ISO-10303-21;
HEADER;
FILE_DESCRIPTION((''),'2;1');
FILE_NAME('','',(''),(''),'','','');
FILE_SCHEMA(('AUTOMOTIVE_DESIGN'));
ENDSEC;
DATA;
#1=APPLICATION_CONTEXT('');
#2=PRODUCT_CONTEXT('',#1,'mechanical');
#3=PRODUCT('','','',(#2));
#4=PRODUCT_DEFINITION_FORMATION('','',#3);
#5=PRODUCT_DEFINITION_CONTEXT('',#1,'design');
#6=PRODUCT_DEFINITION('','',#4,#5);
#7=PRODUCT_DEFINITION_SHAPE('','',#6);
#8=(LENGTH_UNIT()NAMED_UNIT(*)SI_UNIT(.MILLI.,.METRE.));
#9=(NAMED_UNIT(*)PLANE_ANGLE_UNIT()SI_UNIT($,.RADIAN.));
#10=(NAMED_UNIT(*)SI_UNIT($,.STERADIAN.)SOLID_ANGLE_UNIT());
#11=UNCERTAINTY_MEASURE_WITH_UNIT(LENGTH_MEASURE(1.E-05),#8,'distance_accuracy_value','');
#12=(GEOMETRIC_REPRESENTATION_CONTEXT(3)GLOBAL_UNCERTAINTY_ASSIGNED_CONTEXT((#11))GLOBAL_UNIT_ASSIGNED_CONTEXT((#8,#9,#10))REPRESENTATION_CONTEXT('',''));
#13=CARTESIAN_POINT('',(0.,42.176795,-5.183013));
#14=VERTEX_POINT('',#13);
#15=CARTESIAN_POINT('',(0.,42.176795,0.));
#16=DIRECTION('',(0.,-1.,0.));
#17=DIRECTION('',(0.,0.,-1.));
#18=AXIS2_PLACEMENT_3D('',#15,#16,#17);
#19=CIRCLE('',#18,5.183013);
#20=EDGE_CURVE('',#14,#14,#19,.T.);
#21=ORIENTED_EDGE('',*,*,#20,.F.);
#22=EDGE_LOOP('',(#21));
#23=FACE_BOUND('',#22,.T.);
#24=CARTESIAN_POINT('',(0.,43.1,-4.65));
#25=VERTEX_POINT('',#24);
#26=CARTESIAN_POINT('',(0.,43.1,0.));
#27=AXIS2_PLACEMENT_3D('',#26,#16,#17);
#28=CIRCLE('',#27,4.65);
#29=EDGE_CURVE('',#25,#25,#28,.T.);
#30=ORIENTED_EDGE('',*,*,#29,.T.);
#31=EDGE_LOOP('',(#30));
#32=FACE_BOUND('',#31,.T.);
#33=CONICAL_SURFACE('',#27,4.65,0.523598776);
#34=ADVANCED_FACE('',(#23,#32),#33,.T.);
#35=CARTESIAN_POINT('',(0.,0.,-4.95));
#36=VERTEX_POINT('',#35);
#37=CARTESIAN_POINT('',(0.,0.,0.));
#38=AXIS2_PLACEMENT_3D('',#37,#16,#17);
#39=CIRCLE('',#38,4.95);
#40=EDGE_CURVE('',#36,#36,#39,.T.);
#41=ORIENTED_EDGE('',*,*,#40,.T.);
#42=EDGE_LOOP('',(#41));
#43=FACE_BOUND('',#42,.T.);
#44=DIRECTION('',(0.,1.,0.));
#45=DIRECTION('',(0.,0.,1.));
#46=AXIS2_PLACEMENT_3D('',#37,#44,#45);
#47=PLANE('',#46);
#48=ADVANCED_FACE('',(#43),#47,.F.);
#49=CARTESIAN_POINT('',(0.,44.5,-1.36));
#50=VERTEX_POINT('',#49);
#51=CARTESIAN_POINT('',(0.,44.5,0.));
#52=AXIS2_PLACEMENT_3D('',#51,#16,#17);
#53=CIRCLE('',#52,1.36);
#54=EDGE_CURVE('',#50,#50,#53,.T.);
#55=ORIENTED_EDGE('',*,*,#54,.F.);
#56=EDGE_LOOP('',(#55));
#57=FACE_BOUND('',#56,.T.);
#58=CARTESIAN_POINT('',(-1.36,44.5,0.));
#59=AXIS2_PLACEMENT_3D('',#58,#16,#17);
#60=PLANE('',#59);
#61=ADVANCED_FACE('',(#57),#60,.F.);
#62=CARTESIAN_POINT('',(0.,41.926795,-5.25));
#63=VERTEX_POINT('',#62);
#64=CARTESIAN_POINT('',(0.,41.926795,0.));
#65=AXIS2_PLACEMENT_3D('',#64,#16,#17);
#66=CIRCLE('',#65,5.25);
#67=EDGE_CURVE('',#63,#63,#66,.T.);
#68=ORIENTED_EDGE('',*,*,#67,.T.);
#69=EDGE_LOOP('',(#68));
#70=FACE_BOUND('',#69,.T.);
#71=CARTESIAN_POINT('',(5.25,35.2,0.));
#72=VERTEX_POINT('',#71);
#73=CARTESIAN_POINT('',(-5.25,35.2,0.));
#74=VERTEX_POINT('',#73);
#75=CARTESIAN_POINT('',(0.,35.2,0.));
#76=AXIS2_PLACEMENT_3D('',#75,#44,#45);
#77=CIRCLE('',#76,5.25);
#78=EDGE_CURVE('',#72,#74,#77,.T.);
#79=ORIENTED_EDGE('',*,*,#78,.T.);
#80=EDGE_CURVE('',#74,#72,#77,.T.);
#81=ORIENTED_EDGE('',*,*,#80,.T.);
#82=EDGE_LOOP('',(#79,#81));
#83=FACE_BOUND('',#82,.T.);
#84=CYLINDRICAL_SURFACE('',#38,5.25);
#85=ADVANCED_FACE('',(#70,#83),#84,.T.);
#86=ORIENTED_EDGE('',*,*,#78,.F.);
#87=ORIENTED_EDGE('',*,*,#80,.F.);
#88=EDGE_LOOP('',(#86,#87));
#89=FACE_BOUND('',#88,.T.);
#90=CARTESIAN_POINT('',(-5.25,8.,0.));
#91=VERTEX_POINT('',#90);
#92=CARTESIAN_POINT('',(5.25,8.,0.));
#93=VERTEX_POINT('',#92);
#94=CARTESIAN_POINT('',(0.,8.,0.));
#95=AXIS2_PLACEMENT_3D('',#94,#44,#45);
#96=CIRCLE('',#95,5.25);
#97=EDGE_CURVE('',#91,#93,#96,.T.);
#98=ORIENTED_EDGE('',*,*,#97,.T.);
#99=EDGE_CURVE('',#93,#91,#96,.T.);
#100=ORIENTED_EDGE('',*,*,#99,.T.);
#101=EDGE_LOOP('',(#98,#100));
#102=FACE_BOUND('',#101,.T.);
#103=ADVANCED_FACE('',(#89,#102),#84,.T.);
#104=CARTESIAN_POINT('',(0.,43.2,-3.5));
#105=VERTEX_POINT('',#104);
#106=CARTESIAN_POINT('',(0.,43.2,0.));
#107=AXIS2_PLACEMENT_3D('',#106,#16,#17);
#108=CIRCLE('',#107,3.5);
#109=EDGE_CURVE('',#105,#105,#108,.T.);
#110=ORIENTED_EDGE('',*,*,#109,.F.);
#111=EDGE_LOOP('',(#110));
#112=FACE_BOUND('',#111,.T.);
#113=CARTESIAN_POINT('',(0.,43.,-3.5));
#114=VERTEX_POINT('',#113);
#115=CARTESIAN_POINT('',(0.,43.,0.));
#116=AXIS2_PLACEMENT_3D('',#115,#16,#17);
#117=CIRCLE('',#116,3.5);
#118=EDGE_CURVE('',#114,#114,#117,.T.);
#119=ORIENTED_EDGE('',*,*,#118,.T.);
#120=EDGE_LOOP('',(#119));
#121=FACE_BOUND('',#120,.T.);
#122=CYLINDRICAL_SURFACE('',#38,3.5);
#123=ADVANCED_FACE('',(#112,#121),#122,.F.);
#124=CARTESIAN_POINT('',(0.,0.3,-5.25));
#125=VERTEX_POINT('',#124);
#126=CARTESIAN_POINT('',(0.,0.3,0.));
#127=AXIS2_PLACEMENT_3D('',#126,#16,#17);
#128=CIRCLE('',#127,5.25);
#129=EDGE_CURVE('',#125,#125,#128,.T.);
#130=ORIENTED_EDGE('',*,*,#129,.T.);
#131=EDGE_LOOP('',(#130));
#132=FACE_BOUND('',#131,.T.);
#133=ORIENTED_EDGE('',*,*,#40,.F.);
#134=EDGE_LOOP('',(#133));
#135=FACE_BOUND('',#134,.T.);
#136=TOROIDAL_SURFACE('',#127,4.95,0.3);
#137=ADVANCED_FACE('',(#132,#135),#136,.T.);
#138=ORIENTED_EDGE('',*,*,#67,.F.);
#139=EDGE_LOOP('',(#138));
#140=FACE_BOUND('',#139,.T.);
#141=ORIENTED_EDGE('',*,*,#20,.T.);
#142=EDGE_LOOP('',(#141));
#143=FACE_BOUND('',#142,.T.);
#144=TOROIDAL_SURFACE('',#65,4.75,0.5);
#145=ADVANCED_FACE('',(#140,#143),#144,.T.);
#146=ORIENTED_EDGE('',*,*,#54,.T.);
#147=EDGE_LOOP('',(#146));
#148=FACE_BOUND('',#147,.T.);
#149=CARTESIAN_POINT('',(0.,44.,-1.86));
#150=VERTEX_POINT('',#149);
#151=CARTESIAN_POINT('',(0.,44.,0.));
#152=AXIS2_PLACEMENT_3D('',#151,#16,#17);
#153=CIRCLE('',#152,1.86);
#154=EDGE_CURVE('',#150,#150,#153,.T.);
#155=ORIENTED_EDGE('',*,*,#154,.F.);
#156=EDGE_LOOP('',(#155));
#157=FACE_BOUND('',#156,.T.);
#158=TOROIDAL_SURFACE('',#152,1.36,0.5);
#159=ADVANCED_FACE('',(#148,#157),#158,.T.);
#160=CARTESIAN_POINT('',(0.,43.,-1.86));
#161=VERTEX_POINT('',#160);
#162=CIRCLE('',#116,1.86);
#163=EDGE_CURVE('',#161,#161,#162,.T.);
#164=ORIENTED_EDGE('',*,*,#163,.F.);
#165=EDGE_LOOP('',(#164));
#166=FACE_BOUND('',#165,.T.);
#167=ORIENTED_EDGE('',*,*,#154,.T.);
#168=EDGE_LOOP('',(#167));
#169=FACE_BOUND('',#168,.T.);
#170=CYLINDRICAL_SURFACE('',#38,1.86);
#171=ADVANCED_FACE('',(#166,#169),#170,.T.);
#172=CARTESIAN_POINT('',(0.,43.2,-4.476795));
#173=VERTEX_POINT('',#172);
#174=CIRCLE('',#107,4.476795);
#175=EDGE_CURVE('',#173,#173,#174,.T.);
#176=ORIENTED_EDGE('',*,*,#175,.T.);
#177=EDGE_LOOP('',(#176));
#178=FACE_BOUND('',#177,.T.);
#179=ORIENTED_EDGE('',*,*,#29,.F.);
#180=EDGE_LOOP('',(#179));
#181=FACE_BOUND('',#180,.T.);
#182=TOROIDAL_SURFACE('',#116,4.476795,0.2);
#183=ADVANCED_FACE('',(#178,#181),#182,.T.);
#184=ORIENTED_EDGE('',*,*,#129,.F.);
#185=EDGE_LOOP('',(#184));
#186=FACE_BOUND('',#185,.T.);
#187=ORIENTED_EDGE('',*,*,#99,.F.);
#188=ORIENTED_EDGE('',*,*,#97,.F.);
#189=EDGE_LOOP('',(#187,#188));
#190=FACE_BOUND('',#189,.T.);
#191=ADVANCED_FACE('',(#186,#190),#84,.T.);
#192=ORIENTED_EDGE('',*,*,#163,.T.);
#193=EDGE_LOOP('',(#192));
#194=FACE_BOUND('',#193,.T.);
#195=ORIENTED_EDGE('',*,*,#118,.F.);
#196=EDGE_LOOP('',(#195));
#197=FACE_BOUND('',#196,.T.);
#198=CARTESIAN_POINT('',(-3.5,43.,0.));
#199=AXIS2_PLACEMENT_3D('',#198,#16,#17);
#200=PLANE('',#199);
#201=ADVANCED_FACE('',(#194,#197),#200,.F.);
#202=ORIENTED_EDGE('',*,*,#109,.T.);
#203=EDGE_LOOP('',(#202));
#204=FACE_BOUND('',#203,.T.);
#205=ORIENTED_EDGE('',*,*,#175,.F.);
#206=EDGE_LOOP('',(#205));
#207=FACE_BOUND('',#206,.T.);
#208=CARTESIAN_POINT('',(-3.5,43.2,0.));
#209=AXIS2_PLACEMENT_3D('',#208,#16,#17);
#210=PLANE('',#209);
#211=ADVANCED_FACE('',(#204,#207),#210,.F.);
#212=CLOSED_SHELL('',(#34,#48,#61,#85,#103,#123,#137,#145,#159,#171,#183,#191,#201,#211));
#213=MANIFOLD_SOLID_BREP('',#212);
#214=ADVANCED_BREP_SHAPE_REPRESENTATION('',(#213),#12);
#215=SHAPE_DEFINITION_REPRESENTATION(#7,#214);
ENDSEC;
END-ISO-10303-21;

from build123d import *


with BuildPart() as part:
    # Esquisse1 → Révolution1 (revolve)
    with BuildSketch(Plane.XY):
        with BuildLine():
            Line((-1.36, 44.5), (0, 44.5))
            Line((0, 44.5), (0, 0))
            Line((0, 0), (-4.95, 0))
            ThreePointArc((-4.95, 0), (-5.162132034, 0.087867966), (-5.25, 0.3))
            Line((-5.25, 0.3), (-5.25, 41.926794919))
            ThreePointArc((-5.25, 41.926794919), (-5.232962913, 42.056204442), (-5.183012702, 42.176794919))
            Line((-5.183012702, 42.176794919), (-4.65, 43.1))
            ThreePointArc((-4.65, 43.1), (-4.576794919, 43.173205081), (-4.476794919, 43.2))
            Line((-4.476794919, 43.2), (-3.5, 43.2))
            Line((-3.5, 43.2), (-3.5, 43))
            Line((-3.5, 43), (-1.86, 43))
            Line((-1.86, 43), (-1.86, 44))
            ThreePointArc((-1.86, 44), (-1.713553391, 44.353553391), (-1.36, 44.5))
        make_face()
    revolve(axis=Axis((0, 0, 0), (0, 1, 0)))


solid = part.part
